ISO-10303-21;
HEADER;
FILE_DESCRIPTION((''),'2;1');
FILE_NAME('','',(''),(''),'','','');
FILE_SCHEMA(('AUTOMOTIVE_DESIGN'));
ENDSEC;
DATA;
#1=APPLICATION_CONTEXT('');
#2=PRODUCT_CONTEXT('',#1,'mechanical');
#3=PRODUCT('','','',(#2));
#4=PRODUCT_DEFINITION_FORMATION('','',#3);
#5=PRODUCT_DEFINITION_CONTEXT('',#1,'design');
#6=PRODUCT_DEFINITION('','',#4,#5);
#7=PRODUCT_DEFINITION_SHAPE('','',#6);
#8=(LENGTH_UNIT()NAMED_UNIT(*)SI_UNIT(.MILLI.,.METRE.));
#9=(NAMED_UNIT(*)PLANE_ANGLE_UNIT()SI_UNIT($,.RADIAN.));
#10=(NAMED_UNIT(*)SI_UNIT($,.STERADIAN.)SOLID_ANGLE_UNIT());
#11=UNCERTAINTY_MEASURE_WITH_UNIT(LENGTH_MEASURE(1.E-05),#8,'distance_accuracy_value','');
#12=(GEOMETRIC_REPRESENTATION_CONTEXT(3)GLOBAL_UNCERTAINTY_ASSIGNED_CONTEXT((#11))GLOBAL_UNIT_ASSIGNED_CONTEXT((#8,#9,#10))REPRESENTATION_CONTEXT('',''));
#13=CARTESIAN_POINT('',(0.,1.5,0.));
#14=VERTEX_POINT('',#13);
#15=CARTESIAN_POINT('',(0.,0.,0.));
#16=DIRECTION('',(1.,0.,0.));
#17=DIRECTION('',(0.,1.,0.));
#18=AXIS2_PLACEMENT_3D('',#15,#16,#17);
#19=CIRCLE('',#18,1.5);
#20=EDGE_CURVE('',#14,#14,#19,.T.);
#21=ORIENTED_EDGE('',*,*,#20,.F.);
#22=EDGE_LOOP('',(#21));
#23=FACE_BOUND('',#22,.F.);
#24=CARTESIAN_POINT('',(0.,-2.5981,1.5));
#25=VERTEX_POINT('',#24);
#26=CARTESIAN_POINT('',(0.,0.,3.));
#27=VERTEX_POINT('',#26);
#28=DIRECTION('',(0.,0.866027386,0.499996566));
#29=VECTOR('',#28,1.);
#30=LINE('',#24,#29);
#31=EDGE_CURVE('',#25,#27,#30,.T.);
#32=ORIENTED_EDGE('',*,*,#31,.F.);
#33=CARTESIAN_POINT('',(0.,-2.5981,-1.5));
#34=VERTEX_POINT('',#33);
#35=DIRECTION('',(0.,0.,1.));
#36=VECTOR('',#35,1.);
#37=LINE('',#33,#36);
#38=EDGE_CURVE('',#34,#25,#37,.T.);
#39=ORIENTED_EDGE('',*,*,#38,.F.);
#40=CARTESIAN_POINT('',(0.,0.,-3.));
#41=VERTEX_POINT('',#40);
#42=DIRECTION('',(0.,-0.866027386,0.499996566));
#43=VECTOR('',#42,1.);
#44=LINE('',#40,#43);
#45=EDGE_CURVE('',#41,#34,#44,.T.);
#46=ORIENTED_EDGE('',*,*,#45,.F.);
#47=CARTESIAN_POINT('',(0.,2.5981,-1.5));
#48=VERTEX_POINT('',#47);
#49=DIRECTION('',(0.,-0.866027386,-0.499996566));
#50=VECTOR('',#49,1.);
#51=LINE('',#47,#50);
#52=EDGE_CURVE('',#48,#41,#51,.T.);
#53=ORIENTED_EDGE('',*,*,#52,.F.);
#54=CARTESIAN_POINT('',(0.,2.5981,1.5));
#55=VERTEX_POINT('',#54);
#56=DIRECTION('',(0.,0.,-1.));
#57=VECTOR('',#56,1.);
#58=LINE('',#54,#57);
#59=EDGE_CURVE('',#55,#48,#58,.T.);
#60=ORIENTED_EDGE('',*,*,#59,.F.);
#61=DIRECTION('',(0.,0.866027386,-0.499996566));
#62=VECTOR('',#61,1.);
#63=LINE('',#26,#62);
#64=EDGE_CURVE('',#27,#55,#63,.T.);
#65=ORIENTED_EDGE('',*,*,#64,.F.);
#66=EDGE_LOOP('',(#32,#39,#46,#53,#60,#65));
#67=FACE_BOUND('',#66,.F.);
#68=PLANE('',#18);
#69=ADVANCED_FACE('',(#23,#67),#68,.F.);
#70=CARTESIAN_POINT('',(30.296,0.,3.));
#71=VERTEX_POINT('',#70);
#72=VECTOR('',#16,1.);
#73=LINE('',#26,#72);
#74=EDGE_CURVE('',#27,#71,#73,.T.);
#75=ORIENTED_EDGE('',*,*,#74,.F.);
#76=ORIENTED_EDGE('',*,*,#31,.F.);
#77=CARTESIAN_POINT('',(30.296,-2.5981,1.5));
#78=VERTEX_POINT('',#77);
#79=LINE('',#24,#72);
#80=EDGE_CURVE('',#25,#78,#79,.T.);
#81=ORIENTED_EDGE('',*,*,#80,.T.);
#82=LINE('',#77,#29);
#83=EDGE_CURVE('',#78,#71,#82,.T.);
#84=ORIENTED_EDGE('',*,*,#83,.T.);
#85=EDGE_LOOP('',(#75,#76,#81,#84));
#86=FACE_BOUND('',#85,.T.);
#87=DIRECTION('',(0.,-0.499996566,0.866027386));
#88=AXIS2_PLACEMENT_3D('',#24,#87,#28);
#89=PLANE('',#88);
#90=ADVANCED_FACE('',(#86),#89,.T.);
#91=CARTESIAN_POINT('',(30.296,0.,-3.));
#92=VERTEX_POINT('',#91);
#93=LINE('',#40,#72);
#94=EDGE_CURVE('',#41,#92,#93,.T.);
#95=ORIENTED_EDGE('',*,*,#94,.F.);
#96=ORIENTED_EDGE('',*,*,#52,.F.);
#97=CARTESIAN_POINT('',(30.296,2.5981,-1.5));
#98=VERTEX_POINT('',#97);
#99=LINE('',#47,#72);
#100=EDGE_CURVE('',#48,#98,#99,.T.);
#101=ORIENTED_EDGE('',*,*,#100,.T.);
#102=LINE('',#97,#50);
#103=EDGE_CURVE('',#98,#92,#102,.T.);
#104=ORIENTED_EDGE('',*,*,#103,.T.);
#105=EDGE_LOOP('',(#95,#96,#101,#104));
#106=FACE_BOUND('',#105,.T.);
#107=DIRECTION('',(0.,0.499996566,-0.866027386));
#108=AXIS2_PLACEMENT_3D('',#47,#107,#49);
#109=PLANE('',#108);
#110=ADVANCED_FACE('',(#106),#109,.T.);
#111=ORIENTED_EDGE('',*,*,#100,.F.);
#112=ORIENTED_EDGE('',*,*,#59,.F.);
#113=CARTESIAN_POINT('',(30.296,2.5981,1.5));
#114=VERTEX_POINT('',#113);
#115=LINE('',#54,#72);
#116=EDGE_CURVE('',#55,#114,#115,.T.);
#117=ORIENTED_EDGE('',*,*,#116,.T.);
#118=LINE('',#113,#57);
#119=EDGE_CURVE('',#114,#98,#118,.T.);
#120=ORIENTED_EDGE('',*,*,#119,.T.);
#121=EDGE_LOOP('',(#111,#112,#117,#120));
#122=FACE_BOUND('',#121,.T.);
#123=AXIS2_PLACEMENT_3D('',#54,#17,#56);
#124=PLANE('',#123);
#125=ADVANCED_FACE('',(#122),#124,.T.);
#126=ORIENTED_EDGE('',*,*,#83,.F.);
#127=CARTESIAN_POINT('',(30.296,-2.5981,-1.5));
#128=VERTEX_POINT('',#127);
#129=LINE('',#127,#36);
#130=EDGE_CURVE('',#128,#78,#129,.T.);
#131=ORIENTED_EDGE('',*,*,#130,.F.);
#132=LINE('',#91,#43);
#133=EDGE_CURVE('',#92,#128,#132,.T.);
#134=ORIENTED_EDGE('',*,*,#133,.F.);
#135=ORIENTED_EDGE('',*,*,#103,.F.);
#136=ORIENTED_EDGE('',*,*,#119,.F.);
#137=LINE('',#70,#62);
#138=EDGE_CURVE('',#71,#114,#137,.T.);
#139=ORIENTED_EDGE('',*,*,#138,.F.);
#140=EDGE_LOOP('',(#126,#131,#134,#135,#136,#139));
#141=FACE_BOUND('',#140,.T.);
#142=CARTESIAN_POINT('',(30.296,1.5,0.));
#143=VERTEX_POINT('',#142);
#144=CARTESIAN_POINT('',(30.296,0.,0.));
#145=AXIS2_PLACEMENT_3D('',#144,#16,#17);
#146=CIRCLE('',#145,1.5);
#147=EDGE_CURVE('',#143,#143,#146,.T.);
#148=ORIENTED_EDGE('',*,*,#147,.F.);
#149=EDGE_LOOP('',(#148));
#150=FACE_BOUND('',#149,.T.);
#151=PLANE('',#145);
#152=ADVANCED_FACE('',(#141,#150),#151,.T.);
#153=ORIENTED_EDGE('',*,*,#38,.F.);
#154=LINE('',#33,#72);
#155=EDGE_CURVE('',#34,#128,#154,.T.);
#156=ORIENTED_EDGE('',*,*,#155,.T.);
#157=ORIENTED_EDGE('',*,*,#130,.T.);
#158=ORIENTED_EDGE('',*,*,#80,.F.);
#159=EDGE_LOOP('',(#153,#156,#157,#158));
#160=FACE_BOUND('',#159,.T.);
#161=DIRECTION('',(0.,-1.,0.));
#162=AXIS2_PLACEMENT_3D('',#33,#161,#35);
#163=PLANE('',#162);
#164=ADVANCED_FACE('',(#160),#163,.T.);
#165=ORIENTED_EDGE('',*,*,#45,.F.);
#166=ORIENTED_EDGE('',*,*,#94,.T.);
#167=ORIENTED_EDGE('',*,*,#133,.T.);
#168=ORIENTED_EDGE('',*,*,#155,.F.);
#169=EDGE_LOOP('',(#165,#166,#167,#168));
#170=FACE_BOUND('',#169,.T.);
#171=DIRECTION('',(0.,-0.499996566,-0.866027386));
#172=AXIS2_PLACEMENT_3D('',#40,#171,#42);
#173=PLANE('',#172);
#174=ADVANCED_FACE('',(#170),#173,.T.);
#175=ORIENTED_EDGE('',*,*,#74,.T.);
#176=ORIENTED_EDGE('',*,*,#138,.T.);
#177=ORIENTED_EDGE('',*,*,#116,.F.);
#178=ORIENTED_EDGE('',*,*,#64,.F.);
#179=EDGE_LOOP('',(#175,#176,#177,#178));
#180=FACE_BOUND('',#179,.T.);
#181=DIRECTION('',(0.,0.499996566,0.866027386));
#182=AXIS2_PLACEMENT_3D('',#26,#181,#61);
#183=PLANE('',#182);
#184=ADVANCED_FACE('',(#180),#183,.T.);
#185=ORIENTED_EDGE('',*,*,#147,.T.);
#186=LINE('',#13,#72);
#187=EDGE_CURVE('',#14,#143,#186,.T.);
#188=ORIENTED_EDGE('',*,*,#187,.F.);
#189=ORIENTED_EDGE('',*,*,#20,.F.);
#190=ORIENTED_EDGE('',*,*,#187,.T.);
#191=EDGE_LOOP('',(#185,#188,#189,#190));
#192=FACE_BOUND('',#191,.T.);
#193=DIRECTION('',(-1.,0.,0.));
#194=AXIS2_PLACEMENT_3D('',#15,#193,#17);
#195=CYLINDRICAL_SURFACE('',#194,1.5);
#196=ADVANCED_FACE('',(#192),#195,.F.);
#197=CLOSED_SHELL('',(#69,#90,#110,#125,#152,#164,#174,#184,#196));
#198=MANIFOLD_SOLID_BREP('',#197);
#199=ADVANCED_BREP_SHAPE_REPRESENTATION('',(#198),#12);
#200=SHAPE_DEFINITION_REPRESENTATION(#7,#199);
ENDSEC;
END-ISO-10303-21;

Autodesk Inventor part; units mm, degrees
ref_plane "YZ Plane" through (0, 0, 0) normal (1, 0, 0) x (0, 1, 0)
ref_plane "XZ Plane" through (0, 0, 0) normal (0, 1, 0) x (-1, 0, 0)
ref_plane "XY Plane" through (0, 0, 0) normal (0, 0, 1) x (1, 0, 0)
sketch "Sketch1" plane through (0, 0, 0) normal (1, 0, 0) x (0, 1, 0)
  line L0 (0, 3) -> (2.5981, 1.5)
  line L1 (2.5981, 1.5) -> (2.5981, -1.5)
  line L2 (2.5981, -1.5) -> (0, -3)
  line L3 (0, -3) -> (-2.5981, -1.5)
  line L4 (-2.5981, -1.5) -> (-2.5981, 1.5)
  line L5 (-2.5981, 1.5) -> (0, 3)
  circle A0 centre (0, 0) radius 1.5
  dimension "d0" = 6
  dimension "d1" = 3
  dimension "d4" = 5.1962
extrude "Extrusion1" add sketch "Sketch1" along normal blind 30.296
properties part number "SpacerCamera" material "Brass, Soft Yellow"
